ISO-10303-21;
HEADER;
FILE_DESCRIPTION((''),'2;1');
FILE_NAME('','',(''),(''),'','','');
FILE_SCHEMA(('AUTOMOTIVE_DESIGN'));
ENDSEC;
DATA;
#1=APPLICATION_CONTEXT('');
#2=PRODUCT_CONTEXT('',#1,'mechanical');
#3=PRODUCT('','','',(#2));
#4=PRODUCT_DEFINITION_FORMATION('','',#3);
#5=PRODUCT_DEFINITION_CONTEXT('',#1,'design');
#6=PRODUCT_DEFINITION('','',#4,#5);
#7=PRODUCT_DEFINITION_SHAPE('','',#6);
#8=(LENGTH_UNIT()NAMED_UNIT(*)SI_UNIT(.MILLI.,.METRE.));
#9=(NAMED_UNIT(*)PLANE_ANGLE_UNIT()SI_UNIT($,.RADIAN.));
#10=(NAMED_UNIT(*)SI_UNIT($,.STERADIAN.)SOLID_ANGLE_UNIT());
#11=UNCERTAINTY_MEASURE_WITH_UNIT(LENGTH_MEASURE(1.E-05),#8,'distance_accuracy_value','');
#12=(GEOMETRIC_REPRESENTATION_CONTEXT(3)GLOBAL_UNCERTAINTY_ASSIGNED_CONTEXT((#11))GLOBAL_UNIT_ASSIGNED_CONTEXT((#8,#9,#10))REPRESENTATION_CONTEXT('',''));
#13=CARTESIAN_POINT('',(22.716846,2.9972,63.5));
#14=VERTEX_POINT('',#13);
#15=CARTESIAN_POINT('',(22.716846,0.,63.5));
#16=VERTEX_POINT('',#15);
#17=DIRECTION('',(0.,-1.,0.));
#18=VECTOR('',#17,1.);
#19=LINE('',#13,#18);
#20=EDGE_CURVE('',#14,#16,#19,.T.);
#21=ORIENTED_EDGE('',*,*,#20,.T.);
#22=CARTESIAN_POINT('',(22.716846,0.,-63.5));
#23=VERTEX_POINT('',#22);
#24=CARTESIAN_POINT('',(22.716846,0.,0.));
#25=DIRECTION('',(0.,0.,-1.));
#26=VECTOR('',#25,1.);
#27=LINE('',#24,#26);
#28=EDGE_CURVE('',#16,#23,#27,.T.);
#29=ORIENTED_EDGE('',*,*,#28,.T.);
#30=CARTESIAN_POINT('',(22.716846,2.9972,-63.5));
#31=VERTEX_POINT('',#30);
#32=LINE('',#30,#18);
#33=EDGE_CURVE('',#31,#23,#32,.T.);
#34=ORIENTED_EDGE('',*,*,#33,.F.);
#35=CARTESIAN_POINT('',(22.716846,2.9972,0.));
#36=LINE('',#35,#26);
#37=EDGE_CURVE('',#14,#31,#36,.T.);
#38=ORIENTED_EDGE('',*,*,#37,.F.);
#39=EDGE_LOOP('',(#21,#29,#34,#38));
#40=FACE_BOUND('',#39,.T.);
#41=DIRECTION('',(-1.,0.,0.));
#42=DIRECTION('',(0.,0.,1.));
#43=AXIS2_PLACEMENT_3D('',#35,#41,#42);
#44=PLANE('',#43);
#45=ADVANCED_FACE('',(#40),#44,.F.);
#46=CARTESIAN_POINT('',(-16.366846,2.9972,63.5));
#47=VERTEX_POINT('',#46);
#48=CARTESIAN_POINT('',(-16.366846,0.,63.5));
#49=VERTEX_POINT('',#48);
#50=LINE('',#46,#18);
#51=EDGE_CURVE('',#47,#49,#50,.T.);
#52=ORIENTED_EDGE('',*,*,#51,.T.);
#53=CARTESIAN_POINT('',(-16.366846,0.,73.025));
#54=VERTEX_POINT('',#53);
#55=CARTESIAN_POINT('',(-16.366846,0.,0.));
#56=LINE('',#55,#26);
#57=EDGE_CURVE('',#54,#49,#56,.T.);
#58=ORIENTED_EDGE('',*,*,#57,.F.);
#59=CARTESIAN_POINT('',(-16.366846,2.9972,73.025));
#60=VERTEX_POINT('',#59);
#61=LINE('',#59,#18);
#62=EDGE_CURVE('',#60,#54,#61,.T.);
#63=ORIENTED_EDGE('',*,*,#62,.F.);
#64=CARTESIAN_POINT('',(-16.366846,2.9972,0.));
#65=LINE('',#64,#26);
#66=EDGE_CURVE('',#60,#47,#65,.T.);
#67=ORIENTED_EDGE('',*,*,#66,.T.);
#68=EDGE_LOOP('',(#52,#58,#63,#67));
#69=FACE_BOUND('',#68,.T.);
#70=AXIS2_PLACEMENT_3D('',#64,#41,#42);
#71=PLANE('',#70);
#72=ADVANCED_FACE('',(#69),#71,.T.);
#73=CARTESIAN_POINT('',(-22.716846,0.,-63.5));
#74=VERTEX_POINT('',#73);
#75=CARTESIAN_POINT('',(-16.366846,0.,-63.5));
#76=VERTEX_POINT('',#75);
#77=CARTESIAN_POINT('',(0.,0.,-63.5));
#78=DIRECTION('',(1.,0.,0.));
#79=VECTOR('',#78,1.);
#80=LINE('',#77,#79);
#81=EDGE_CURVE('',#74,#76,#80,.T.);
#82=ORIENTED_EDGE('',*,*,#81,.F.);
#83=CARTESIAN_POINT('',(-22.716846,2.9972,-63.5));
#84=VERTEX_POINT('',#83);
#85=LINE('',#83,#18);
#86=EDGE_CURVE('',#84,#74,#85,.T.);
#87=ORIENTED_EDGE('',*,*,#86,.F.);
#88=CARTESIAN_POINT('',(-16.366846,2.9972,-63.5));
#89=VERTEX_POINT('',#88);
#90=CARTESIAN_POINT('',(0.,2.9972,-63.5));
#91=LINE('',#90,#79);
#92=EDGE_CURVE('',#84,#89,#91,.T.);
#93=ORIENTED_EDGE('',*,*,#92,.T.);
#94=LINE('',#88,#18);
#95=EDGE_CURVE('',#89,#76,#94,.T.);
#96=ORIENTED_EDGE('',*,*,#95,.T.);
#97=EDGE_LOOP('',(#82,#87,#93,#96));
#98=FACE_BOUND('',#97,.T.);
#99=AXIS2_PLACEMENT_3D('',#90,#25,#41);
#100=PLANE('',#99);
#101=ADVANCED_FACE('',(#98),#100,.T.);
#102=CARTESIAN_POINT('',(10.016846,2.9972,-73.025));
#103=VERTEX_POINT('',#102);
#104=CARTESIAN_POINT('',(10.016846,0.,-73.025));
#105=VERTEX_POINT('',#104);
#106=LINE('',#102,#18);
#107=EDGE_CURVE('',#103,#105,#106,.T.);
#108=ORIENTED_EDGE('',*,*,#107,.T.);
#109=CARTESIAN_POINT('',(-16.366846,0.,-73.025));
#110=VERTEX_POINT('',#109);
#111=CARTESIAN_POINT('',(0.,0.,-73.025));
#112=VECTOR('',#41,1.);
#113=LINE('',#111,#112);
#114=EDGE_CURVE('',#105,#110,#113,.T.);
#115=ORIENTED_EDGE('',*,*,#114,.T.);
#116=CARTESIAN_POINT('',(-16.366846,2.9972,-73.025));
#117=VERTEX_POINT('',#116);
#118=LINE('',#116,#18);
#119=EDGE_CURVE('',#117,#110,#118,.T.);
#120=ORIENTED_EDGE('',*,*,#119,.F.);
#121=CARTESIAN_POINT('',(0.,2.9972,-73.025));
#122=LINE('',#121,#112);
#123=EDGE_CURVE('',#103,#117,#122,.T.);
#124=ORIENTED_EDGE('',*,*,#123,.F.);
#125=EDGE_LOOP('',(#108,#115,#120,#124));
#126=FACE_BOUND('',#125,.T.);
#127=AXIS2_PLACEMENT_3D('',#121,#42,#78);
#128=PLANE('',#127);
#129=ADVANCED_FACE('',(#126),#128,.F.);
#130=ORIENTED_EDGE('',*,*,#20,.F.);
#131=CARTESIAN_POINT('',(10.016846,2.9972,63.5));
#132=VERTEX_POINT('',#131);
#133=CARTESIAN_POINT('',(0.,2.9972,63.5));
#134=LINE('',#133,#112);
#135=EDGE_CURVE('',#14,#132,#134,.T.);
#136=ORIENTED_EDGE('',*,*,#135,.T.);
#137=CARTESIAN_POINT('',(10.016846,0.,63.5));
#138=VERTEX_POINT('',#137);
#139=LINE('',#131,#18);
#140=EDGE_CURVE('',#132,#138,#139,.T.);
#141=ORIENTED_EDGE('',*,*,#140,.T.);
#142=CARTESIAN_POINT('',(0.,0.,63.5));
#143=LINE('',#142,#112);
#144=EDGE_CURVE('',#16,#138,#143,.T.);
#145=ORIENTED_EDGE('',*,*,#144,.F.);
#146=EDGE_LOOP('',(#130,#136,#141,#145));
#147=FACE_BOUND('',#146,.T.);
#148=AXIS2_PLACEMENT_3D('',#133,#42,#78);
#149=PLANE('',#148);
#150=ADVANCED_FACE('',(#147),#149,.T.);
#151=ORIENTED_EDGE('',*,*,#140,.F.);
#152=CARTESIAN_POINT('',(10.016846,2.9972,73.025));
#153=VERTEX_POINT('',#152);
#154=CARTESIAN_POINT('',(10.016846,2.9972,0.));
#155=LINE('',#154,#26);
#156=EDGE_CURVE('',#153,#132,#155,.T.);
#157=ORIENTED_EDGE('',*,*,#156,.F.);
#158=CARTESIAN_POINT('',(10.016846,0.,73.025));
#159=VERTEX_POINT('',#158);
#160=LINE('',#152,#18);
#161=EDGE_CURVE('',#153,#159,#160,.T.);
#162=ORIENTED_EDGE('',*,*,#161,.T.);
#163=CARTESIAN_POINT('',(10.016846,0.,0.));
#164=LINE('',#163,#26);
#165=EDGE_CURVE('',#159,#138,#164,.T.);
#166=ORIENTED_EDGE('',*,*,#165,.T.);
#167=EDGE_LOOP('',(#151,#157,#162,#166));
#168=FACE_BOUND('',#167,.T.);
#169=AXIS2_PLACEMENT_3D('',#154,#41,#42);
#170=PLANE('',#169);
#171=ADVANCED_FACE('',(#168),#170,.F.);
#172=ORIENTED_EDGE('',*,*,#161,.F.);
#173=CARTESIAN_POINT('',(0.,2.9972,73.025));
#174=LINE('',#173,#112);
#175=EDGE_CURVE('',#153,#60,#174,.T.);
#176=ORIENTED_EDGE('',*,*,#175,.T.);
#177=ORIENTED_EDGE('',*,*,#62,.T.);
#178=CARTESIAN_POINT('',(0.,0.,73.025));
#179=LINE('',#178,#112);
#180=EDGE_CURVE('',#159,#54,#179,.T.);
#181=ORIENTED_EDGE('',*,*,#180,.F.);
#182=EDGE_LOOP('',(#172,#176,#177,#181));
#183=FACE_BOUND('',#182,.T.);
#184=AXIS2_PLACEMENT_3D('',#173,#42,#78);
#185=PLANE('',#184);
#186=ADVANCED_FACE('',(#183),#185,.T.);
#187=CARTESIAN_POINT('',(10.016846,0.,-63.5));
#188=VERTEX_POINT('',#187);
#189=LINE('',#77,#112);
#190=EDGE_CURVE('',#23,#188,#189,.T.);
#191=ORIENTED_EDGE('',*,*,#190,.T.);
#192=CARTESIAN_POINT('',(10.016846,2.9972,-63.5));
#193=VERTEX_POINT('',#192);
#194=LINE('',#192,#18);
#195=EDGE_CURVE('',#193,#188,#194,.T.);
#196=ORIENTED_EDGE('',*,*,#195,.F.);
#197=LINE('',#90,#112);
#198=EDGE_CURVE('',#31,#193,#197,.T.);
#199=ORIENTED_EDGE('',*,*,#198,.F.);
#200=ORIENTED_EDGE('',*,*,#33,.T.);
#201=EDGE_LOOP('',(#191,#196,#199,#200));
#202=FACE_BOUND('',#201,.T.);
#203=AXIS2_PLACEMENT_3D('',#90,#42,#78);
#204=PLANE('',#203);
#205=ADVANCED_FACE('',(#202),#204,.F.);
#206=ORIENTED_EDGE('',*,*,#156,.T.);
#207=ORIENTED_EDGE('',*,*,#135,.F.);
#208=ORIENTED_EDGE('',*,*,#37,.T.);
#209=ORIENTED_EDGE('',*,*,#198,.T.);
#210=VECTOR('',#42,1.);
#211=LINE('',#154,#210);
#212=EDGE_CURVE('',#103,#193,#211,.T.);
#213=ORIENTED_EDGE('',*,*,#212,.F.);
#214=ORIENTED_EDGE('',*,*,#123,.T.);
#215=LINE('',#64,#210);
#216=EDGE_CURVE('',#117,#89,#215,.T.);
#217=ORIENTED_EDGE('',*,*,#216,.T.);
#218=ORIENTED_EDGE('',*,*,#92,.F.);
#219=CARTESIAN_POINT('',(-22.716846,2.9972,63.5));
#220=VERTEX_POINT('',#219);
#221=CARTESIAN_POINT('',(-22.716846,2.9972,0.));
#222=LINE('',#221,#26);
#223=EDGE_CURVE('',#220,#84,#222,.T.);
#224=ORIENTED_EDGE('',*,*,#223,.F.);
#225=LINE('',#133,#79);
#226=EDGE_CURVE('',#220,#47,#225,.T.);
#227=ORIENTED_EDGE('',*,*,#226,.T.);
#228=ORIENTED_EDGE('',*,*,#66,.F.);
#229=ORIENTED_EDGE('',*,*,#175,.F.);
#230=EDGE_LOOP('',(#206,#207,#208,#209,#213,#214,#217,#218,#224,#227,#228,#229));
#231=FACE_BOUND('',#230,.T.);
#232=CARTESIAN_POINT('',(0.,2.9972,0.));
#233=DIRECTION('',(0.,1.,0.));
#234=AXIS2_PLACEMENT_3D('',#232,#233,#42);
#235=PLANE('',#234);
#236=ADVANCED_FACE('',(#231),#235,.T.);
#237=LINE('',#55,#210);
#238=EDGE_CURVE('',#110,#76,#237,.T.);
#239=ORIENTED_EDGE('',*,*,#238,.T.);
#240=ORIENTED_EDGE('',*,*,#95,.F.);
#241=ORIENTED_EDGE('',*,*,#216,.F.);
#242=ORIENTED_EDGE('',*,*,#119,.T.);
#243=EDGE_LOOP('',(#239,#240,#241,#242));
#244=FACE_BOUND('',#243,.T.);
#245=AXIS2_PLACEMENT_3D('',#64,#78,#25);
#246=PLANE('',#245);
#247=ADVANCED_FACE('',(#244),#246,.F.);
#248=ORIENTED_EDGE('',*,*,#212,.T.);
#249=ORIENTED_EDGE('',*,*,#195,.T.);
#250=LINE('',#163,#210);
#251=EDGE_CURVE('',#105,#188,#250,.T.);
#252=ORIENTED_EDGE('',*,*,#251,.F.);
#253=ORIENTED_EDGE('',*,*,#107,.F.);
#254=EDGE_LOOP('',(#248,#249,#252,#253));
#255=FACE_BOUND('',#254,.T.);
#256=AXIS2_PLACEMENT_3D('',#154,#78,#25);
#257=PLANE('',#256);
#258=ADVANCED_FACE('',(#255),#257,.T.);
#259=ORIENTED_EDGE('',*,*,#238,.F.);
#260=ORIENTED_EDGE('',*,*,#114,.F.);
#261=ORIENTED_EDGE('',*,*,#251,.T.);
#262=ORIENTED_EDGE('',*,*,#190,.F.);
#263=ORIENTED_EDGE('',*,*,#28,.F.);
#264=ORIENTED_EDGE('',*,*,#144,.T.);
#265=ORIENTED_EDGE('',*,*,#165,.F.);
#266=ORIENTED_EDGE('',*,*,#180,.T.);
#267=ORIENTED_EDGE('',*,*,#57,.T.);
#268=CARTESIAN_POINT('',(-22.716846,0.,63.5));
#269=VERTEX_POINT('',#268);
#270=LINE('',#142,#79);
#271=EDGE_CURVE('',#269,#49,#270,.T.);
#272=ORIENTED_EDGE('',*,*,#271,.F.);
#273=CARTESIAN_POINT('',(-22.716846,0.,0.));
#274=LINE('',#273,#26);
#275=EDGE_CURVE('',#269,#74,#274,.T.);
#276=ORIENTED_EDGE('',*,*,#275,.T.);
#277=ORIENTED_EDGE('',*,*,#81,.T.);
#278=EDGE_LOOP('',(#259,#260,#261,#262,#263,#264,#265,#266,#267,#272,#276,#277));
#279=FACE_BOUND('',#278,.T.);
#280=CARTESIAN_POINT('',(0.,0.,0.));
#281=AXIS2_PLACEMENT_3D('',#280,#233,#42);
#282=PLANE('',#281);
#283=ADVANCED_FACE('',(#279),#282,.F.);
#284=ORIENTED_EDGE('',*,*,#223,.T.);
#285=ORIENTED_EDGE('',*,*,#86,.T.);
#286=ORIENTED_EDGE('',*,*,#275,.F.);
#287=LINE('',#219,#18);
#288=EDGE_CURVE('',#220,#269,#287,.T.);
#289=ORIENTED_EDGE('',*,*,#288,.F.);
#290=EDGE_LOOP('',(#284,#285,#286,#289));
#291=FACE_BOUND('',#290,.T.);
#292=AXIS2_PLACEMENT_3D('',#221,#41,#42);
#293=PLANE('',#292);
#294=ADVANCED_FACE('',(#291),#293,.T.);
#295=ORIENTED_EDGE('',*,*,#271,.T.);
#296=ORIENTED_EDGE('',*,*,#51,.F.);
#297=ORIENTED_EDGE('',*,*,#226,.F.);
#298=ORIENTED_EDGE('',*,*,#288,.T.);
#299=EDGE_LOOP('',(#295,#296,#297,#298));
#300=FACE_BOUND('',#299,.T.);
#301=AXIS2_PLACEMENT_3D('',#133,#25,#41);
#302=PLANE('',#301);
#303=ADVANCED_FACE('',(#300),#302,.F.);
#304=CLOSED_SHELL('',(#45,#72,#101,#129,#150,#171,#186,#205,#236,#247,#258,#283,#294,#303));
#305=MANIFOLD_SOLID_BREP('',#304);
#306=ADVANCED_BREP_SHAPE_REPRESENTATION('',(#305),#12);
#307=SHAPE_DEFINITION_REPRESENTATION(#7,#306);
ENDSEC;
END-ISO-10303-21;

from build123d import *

# Parameters (mm, degrees)
BOSS_EXTRUDE1_DEPTH = 2.9972


with BuildPart() as part:
    # Sketch1 → Boss-Extrude1 (new body)
    with BuildSketch(Plane(origin=(0, 0, 0), x_dir=(1, 0, 0), z_dir=(0, 1, 0))):
        Polygon((-16.3668456, -73.025), (10.0168456, -73.025), (10.0168456, -63.5), (22.7168456, -63.5), (22.7168456, 63.5), (10.0168456, 63.5), (10.0168456, 73.025), (-16.3668456, 73.025), (-16.3668456, 63.5), (-22.7168456, 63.5), (-22.7168456, -63.5), (-16.3668456, -63.5), align=None)
    extrude(amount=BOSS_EXTRUDE1_DEPTH)


solid = part.part
